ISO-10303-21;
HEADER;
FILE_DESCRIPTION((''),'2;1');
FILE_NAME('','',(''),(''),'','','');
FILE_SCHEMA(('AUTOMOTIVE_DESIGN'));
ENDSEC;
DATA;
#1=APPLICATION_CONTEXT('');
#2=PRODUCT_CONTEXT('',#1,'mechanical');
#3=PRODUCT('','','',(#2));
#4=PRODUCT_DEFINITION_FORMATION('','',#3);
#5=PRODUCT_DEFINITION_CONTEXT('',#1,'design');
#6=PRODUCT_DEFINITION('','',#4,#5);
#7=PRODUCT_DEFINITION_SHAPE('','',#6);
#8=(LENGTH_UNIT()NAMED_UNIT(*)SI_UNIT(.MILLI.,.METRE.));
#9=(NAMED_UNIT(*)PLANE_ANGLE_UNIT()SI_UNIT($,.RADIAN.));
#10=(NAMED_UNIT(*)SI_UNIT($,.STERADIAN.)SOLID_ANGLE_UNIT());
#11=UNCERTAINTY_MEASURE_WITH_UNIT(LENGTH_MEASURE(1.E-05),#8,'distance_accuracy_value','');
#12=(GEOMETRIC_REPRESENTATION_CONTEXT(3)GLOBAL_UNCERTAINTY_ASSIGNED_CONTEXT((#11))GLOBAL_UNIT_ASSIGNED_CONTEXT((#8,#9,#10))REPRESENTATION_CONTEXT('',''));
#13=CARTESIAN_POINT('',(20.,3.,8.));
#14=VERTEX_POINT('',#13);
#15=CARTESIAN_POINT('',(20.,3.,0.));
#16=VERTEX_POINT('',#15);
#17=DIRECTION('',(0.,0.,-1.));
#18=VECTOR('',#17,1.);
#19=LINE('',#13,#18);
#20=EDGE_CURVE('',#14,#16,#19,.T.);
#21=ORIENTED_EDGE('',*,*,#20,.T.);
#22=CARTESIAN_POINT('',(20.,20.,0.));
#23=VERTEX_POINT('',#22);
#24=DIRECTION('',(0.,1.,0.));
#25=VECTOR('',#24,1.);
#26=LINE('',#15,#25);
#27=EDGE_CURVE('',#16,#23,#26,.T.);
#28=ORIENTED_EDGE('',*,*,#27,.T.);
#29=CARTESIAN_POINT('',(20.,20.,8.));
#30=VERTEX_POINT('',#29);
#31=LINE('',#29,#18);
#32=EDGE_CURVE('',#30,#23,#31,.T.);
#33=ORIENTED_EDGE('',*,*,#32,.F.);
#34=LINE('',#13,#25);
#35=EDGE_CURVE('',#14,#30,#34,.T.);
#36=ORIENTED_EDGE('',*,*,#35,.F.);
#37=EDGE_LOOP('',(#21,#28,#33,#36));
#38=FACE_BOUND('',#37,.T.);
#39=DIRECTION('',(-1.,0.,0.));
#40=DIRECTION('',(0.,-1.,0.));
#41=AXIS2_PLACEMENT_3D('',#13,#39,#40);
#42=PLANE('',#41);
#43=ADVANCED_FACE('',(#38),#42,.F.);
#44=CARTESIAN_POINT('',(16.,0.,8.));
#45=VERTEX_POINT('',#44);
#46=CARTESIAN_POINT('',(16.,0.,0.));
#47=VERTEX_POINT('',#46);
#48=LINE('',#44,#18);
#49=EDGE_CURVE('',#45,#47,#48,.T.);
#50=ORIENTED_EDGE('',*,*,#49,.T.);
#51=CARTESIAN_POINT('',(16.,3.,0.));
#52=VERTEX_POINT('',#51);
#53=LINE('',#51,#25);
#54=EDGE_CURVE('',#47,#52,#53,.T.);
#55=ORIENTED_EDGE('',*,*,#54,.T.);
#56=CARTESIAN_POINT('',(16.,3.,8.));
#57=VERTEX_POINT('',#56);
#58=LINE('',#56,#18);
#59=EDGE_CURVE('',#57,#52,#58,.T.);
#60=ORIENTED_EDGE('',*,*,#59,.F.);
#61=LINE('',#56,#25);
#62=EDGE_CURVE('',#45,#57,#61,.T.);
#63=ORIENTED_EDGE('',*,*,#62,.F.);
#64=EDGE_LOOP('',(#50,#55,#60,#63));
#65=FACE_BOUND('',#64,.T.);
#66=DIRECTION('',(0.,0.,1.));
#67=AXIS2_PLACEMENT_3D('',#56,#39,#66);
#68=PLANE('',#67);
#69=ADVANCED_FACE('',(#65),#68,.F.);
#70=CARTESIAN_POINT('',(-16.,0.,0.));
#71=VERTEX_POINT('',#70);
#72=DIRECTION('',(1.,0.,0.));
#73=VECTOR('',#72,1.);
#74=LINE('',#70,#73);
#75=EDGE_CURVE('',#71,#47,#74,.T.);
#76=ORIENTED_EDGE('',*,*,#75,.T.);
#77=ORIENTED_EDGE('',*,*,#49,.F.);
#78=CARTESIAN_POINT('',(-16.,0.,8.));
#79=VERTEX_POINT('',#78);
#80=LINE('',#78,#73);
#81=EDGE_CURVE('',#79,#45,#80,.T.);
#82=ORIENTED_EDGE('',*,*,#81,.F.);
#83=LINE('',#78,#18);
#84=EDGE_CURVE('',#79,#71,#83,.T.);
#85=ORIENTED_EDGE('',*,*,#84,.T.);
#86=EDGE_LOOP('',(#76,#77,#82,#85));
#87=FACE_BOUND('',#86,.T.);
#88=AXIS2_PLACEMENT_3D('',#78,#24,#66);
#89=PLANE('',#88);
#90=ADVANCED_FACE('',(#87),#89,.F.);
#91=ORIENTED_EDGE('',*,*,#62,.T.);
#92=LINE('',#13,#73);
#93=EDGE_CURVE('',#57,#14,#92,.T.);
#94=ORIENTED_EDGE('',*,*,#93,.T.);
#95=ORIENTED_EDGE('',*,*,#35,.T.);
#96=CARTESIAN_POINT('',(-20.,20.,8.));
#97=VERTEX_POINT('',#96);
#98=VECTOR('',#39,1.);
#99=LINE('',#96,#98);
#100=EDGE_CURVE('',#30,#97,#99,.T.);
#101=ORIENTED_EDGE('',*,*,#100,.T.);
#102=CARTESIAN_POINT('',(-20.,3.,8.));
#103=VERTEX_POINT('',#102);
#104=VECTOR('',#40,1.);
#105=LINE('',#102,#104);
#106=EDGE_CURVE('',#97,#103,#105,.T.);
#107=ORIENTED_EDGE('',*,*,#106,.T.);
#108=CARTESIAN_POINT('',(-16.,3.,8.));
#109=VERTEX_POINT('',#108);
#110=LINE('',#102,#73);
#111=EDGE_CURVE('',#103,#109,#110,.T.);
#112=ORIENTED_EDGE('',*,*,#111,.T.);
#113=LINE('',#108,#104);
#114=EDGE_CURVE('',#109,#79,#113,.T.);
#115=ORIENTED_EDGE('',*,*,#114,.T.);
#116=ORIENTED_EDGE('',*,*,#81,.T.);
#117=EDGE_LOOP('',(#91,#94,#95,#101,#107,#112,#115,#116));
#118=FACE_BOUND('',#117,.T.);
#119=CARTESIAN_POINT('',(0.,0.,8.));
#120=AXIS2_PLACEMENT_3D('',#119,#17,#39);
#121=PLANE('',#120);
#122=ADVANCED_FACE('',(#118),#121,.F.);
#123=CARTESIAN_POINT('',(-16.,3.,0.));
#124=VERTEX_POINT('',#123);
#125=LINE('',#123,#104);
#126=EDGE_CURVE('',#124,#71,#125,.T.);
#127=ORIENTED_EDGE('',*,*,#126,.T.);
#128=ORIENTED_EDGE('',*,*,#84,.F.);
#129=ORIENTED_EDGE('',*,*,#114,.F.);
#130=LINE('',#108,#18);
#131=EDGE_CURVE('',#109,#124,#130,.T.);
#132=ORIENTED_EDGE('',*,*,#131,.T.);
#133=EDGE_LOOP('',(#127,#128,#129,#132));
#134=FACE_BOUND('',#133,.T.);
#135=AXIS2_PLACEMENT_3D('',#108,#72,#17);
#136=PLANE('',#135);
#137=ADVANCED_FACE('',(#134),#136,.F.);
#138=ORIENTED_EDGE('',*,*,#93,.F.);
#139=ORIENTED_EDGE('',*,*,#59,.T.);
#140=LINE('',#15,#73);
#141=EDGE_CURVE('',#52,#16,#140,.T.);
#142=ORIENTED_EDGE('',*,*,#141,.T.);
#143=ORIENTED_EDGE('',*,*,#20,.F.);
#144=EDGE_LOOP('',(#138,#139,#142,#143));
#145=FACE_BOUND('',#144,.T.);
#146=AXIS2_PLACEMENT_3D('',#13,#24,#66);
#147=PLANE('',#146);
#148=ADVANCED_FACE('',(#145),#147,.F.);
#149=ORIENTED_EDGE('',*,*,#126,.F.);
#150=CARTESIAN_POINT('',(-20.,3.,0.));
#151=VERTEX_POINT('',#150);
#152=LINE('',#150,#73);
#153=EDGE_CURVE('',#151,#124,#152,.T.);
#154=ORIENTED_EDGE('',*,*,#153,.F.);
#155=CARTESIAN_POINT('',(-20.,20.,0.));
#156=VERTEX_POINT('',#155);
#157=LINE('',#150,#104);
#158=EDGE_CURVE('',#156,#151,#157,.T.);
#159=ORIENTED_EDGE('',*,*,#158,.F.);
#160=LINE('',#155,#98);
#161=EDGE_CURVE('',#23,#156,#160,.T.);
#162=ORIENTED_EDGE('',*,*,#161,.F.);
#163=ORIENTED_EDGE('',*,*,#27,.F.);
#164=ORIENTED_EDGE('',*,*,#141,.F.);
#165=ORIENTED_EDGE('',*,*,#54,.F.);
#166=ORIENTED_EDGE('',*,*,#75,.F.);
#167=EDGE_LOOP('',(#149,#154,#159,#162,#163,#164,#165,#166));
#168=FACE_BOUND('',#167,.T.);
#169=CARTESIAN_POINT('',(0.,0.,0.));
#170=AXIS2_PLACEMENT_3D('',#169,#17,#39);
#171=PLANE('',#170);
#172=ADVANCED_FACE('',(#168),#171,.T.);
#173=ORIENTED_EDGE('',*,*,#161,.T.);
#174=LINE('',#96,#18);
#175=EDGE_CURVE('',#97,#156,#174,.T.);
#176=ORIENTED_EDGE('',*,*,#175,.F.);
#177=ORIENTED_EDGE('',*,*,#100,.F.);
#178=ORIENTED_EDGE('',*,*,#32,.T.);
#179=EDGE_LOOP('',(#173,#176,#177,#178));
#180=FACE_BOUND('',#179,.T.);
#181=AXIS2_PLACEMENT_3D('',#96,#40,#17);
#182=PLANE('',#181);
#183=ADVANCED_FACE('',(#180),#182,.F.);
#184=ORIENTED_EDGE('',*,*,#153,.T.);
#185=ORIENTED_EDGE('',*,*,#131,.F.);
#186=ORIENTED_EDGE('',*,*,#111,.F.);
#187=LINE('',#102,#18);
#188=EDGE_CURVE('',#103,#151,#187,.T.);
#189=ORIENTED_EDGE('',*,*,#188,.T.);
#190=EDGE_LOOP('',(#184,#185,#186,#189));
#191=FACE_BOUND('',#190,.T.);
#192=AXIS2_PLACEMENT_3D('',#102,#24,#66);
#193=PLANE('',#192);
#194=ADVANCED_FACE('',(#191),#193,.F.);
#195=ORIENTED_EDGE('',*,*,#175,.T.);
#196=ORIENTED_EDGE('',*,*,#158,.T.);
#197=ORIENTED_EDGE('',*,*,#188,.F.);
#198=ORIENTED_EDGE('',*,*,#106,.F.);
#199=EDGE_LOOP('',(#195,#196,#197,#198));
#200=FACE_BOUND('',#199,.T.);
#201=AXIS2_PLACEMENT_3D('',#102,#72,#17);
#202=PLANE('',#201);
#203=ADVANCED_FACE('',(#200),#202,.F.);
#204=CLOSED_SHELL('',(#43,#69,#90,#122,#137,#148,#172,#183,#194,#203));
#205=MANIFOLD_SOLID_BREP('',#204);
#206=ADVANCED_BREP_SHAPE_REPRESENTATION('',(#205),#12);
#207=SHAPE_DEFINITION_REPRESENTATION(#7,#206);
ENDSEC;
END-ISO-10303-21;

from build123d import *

# Parameters (mm, degrees)
EXTRUDE_1_DEPTH = 8


with BuildPart() as part:
    # Эскиз1 → Бобышка-Вытянуть1 (new body)
    with BuildSketch(Plane.XY):
        Polygon((-16, 0), (16, 0), (16, 3), (20, 3), (20, 20), (-20, 20), (-20, 3), (-16, 3), align=None)
    extrude(amount=EXTRUDE_1_DEPTH)


solid = part.part
